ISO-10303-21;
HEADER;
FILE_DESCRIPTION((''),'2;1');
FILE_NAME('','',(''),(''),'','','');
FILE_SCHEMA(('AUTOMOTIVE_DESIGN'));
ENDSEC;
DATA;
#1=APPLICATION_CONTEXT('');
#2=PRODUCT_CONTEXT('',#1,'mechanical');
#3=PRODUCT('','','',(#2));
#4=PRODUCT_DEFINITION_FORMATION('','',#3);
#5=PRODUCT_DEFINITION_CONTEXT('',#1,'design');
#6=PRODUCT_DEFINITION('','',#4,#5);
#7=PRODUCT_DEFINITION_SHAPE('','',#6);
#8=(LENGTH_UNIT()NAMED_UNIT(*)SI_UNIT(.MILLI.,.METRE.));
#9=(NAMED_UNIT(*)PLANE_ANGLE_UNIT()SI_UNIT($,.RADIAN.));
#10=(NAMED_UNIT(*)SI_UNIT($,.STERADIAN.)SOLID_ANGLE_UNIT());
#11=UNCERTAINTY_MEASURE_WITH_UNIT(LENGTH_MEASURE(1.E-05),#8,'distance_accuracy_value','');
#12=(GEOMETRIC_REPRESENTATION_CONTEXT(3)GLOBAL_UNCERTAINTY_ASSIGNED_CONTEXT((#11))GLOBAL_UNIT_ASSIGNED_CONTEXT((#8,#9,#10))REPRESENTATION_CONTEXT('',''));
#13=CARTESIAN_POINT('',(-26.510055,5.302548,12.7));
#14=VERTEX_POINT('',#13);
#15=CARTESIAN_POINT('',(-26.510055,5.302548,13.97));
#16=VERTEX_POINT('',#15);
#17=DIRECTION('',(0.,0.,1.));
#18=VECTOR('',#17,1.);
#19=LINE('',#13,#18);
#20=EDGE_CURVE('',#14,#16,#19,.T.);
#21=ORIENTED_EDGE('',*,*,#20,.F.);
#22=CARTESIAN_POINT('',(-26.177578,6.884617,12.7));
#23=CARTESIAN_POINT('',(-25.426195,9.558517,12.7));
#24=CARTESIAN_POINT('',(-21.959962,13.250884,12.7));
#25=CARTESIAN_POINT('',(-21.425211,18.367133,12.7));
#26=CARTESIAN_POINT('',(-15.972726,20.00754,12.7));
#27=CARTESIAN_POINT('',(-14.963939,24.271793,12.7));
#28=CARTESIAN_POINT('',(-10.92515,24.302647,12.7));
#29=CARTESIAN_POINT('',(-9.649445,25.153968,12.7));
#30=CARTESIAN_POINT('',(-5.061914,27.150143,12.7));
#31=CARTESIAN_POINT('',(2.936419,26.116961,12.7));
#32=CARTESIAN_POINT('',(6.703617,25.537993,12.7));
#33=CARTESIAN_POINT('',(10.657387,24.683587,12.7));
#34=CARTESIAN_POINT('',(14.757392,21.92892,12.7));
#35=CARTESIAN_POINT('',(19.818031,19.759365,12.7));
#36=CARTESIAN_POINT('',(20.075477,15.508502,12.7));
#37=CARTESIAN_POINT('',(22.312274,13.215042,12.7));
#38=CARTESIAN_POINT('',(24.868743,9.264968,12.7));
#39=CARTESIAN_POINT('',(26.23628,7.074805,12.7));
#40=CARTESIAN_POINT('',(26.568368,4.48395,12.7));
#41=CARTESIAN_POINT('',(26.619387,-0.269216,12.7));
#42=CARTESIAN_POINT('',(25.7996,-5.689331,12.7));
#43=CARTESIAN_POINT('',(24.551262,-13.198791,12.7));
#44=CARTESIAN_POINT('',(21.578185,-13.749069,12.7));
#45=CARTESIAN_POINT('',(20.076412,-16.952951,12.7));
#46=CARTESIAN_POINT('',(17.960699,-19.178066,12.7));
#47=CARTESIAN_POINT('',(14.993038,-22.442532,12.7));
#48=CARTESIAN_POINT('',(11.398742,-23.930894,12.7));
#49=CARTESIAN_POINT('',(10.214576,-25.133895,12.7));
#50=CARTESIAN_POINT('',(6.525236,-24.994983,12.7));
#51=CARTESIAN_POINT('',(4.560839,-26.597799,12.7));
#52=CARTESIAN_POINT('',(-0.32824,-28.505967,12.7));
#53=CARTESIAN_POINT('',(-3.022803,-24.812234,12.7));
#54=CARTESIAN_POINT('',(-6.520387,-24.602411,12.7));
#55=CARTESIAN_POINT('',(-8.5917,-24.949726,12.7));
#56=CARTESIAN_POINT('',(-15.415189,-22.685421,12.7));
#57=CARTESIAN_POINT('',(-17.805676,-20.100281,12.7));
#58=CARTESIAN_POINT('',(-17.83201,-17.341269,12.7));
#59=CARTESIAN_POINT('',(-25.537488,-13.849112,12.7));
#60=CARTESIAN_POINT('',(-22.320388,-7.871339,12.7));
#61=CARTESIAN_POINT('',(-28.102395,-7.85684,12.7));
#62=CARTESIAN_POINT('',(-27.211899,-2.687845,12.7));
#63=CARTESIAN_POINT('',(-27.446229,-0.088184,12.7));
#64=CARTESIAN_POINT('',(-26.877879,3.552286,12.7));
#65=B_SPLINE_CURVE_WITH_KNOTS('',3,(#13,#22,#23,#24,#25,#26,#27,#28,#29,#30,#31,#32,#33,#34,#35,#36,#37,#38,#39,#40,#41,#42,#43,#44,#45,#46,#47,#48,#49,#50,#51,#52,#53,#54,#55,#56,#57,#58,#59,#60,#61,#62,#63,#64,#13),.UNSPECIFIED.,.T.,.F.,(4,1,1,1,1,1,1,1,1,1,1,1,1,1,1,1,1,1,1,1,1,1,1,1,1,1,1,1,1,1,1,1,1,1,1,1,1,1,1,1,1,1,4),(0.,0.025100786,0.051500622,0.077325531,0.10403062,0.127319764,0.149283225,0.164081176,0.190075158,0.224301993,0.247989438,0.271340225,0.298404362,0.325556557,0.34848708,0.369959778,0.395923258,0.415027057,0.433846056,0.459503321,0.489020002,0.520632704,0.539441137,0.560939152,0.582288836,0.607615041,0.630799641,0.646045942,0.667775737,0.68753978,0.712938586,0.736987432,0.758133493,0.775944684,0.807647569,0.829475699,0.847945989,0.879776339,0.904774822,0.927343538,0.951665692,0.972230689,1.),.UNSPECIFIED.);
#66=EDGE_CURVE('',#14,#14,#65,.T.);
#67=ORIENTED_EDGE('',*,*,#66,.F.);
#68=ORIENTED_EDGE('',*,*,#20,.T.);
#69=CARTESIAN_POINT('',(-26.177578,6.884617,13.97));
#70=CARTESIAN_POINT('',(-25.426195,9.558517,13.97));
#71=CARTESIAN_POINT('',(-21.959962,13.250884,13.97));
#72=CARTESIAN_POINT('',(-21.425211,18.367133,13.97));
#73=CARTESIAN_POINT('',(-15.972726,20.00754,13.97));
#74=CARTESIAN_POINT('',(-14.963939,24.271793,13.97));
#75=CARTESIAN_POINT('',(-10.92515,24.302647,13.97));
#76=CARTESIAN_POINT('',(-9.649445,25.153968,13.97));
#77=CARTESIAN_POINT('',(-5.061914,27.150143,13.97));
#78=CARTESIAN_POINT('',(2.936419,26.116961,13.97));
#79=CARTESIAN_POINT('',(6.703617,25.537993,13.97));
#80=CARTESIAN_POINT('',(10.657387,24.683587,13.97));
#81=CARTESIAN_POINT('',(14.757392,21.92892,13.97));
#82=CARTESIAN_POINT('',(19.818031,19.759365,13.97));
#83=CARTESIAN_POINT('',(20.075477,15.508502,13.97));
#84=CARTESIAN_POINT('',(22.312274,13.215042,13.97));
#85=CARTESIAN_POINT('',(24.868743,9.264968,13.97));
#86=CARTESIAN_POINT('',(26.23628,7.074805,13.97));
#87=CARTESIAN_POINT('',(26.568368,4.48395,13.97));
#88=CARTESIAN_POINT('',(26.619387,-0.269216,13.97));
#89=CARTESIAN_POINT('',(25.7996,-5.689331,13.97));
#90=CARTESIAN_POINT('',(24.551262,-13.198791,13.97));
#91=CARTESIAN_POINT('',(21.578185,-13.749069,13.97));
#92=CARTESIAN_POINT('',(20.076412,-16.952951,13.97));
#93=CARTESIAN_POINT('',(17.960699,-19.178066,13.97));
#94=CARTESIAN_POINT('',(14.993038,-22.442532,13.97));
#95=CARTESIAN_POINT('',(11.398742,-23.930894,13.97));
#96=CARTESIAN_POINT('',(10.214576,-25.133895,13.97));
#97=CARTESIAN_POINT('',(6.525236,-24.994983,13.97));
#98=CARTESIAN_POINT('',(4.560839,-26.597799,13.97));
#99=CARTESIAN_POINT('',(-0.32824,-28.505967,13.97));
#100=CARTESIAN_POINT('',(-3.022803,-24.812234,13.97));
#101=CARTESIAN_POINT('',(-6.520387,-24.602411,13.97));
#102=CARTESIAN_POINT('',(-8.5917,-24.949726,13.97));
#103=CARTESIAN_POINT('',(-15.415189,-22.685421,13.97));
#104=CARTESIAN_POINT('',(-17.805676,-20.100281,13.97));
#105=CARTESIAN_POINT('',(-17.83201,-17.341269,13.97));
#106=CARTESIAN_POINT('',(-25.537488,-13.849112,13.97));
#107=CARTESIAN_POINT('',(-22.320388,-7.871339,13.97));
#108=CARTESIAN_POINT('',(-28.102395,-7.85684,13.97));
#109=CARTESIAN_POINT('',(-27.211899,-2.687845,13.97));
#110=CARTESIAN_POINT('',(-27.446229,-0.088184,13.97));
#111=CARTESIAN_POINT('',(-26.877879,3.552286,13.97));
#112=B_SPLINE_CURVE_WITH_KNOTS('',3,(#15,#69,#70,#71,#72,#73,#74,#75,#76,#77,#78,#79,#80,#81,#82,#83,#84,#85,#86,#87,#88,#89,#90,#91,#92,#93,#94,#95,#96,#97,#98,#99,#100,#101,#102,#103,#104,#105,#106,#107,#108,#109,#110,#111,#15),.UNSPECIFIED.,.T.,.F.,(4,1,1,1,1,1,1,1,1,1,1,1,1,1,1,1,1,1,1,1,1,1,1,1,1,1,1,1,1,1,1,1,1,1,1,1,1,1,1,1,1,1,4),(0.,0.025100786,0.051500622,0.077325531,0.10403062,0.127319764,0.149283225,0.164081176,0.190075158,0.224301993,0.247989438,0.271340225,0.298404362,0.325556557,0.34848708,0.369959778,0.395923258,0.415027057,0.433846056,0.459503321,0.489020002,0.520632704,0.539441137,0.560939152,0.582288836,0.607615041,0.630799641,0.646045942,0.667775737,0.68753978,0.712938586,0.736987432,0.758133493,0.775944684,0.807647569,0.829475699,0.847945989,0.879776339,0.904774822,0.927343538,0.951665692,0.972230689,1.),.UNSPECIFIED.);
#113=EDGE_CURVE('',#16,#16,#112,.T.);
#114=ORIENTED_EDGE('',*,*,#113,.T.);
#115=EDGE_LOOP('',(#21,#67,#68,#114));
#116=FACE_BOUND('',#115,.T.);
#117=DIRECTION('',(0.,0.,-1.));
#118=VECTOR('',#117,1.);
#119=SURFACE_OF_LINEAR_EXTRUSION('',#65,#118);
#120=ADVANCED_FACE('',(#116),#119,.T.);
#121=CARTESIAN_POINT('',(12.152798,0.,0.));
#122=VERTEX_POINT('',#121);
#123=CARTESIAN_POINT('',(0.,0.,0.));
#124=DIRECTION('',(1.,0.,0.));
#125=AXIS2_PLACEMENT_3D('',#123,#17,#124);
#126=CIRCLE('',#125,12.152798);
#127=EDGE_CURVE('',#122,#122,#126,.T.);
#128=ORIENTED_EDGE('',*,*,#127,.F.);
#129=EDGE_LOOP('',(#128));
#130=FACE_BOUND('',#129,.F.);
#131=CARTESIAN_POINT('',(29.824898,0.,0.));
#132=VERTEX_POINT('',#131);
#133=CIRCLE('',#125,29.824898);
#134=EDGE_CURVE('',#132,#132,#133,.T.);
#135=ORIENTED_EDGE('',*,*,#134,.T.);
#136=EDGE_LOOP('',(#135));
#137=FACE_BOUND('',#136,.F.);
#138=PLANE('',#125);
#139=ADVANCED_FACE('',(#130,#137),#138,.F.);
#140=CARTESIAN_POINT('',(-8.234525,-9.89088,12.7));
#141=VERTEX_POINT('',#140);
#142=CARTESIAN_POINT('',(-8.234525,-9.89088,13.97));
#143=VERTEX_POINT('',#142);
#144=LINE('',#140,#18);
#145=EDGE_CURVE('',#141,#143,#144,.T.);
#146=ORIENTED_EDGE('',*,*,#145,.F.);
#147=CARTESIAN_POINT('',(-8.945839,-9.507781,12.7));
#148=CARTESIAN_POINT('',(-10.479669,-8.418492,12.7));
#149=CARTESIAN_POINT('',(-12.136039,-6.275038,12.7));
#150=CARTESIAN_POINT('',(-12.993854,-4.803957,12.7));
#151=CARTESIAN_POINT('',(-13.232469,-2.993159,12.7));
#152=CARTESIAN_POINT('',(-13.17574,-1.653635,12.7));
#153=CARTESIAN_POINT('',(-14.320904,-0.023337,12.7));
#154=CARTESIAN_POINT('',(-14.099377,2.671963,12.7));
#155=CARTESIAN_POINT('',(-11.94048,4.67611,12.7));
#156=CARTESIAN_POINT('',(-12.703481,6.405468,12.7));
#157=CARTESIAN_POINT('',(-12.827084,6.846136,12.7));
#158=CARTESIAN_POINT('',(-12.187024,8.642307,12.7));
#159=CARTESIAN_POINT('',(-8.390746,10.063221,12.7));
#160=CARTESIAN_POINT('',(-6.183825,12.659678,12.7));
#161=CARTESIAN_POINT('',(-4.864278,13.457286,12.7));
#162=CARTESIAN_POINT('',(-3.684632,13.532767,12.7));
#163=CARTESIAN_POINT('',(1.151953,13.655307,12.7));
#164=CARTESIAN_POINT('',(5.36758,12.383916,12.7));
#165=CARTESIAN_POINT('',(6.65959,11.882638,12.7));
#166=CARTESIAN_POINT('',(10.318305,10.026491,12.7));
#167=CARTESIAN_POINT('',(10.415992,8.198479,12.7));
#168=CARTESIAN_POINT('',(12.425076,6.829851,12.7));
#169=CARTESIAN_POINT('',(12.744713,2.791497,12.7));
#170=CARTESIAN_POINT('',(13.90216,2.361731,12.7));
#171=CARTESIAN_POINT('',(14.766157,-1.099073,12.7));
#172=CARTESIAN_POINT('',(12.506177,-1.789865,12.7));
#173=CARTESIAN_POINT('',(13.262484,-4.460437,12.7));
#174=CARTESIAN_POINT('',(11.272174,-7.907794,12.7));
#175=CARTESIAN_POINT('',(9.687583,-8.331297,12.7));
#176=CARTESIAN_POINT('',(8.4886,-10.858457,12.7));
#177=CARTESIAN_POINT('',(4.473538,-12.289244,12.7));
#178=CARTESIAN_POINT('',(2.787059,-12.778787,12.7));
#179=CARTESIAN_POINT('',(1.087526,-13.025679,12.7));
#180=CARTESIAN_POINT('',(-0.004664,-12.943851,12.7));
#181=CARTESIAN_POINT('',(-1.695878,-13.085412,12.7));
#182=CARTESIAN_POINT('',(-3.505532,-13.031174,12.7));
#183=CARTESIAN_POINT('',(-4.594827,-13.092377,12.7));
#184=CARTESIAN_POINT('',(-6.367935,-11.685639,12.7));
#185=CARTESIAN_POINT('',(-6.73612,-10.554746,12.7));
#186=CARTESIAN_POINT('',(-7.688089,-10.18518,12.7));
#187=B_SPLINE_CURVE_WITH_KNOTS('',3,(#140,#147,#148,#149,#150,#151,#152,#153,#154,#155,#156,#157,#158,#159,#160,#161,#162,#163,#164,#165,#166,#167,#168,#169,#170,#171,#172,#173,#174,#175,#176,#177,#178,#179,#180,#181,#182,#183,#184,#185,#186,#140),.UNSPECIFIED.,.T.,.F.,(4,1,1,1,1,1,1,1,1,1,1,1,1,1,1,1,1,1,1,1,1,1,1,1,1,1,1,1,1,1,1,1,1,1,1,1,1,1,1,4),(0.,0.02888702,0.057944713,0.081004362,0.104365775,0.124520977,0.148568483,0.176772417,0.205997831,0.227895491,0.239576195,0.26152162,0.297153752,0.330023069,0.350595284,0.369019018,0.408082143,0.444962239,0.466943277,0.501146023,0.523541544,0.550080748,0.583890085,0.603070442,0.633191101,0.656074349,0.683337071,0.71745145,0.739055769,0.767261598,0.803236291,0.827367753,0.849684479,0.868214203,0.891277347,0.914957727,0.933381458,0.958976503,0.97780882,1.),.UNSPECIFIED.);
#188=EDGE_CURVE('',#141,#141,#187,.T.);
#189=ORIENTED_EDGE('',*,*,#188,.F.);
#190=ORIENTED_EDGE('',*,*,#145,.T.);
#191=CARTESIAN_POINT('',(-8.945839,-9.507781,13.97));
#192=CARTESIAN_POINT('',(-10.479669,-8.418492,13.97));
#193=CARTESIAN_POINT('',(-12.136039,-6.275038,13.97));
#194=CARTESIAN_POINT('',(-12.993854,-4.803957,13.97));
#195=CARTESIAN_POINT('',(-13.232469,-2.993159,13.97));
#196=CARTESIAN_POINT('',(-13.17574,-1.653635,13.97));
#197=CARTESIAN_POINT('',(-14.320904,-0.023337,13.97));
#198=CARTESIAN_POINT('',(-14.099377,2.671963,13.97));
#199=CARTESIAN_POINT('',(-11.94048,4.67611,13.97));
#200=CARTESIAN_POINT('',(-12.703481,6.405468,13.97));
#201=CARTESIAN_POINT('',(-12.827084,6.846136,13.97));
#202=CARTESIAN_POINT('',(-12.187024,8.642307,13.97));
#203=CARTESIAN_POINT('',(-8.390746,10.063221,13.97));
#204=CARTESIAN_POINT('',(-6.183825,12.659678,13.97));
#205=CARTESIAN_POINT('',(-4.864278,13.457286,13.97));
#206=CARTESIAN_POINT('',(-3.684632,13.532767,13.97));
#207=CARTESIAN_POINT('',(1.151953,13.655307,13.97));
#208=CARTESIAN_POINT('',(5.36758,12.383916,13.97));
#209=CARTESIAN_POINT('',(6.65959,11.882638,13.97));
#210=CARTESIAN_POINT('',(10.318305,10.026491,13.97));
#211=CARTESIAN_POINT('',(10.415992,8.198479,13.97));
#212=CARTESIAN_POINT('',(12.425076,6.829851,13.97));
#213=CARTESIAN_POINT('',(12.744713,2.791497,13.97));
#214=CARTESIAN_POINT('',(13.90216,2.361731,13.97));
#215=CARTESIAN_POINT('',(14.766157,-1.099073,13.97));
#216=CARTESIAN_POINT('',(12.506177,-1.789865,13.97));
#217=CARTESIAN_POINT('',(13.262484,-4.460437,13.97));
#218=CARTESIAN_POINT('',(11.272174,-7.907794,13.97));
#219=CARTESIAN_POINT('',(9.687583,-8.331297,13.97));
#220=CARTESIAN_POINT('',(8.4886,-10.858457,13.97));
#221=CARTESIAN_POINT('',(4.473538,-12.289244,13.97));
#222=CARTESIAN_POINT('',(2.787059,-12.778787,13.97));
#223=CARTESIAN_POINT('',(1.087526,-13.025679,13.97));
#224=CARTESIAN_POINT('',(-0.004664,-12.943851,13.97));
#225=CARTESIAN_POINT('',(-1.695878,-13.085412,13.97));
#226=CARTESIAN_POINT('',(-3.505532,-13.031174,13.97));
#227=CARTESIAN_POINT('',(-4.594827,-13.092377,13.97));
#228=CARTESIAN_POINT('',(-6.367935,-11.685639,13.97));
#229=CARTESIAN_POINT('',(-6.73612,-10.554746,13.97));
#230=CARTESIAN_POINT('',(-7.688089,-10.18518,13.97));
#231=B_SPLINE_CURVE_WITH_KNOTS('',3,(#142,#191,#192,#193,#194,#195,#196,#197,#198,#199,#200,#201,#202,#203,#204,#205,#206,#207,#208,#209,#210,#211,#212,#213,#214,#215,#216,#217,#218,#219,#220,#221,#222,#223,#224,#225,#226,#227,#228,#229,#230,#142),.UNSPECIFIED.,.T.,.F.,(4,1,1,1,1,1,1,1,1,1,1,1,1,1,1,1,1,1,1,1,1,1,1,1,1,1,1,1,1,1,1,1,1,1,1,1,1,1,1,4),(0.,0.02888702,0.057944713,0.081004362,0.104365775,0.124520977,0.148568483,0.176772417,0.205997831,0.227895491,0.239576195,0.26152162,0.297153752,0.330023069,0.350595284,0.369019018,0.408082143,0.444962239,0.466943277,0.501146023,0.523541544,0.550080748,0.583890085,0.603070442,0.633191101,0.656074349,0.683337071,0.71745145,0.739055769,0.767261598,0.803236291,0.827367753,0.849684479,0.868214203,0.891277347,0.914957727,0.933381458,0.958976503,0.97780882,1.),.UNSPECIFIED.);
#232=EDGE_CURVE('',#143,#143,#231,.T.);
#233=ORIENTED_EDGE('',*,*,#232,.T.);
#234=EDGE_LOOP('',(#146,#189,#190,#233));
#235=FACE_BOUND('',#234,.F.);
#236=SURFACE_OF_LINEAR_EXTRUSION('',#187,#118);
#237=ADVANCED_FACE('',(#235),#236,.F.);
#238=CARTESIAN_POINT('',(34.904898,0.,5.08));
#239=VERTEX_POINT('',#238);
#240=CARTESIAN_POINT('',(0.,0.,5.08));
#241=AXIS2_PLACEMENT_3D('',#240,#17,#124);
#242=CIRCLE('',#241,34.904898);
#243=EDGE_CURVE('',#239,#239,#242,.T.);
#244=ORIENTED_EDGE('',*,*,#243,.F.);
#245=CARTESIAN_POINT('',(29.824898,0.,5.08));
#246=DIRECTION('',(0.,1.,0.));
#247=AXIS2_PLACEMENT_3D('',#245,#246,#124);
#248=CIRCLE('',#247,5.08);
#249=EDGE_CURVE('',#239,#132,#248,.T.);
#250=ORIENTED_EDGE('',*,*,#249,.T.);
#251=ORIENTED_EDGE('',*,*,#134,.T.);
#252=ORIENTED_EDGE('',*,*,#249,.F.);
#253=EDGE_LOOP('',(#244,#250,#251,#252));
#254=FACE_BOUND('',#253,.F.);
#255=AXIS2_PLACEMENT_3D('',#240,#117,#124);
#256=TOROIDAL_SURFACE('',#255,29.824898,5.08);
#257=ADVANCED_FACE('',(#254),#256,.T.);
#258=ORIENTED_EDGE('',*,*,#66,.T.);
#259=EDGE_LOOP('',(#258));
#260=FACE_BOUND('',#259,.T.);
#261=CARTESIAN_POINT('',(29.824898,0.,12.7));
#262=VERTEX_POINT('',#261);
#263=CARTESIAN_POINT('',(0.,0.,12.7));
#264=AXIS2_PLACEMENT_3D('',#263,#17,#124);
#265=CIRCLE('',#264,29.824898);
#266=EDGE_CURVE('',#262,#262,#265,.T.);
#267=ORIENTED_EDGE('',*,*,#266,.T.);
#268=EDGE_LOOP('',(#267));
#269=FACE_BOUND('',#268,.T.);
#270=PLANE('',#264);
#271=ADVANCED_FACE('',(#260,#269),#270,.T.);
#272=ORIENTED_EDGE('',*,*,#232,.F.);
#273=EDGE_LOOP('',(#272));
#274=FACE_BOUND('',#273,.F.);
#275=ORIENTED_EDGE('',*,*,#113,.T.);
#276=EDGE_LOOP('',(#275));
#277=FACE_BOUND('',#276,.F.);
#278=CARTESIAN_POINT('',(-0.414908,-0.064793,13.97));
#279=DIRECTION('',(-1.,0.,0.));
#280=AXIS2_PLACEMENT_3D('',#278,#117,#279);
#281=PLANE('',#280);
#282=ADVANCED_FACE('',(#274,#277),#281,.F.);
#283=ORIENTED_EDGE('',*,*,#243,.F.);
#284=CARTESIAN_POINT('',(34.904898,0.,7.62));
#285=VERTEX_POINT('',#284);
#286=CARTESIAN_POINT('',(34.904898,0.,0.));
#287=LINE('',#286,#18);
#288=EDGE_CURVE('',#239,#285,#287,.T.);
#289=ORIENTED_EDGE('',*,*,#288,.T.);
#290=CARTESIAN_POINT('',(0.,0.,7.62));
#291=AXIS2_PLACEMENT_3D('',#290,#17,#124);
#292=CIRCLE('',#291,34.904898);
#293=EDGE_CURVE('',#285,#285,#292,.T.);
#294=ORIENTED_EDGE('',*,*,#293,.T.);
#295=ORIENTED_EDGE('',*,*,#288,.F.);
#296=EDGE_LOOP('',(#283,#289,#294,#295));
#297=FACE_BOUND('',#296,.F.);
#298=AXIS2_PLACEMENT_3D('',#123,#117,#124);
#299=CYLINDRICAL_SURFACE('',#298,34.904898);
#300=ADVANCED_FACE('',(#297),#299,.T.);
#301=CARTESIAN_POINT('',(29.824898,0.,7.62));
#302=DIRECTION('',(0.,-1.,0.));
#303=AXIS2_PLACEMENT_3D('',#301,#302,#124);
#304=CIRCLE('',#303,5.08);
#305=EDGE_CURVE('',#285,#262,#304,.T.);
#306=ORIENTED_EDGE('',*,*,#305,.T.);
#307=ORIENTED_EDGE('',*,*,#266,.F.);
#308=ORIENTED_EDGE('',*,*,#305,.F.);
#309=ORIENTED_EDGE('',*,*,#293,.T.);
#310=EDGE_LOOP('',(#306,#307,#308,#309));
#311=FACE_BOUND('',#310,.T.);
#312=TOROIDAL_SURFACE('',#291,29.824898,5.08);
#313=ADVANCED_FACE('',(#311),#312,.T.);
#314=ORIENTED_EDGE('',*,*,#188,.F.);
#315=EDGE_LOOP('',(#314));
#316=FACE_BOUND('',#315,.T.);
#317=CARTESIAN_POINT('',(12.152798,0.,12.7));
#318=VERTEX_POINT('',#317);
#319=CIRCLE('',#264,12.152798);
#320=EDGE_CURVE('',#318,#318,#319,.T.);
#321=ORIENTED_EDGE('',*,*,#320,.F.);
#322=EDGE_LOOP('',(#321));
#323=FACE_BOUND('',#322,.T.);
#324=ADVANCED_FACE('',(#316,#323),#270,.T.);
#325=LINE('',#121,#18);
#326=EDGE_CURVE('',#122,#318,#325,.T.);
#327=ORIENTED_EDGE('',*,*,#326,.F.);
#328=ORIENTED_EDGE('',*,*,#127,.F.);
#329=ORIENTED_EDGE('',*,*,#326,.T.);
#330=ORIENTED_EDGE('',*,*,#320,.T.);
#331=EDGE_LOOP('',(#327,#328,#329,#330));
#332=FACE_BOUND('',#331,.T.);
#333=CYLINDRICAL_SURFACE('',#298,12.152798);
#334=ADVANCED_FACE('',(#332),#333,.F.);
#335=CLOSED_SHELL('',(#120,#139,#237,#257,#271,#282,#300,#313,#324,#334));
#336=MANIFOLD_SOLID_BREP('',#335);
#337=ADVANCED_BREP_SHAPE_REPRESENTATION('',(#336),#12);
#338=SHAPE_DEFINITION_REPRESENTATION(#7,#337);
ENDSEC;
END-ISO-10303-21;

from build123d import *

# Parameters (mm, degrees)
F0_R     = 34.9048984543
F0_R_2   = 12.1527980699
F1_DEPTH = 12.7
F2_R     = 5.08
F4_DEPTH = 1.27


with BuildPart() as f1:
    # F0 (on Top) → F1 (new body)
    with BuildSketch(Plane.XY):
        Circle(F0_R)
        Circle(F0_R_2, mode=Mode.SUBTRACT)
    extrude(amount=F1_DEPTH)

    # F2
    f2_edges = [f1.edges().sort_by_distance(p)[0] for p in [
        (-34.904898, 0, 12.7),
        (-34.904898, 0, 0),
    ]]
    fillet(f2_edges, radius=F2_R)

    # F3 (on face) → F4 (join)
    with BuildSketch(Plane.XY.offset(12.7)):
        with BuildLine():
            add(Edge.make_bspline(
                [(-26.5100551654, 5.3025482653), (-26.1775777626, 6.8846169353), (-25.426195352, 9.5585165622), (-21.9599620725, 13.2508842839), (-21.4252105627, 18.3671331529), (-15.9727257648, 20.0075396378), (-14.9639394482, 24.2717931622), (-10.9251498531, 24.302647067), (-9.6494450341, 25.1539680098), (-5.0619142731, 27.1501426479), (2.9364188774, 26.116961143), (6.7036171526, 25.5379932802), (10.6573871921, 24.6835871523), (14.7573917291, 21.9289202724), (19.8180312275, 19.7593649997), (20.0754768641, 15.508502344), (22.3122742945, 13.2150420094), (24.8687428198, 9.2649676537), (26.236280157, 7.0748050493), (26.5683677316, 4.4839498923), (26.6193868693, -0.2692160734), (25.7996004959, -5.6893312188), (24.5512615162, -13.1987913778), (21.578184924, -13.7490691282), (20.0764117368, -16.9529506973), (17.9606986403, -19.178065747), (14.9930384746, -22.4425316877), (11.3987416677, -23.930893903), (10.2145760957, -25.1338947759), (6.5252356299, -24.9949833096), (4.5608388803, -26.5977986597), (-0.3282395602, -28.505967202), (-3.0228034633, -24.8122338538), (-6.5203870216, -24.6024105997), (-8.5916996145, -24.949725655), (-15.4151885755, -22.6854209451), (-17.8056764162, -20.1002806496), (-17.8320100644, -17.3412685699), (-25.5374880979, -13.8491124827), (-22.3203884827, -7.8713385294), (-28.1023951514, -7.8568396436), (-27.2118988499, -2.6878447966), (-27.4462290339, -0.0881844475), (-26.8778790381, 3.5522860815), (-26.5100551654, 5.3025482653)],
                knots=[0, 0, 0, 0, 0.025100786, 0.0515006218, 0.0773255314, 0.1040306197, 0.1273197637, 0.1492832246, 0.164081176, 0.1900751577, 0.2243019929, 0.2479894376, 0.2713402254, 0.2984043621, 0.3255565574, 0.3484870803, 0.3699597782, 0.3959232575, 0.4150270568, 0.4338460561, 0.4595033209, 0.4890200017, 0.5206327041, 0.5394411367, 0.5609391522, 0.5822888361, 0.6076150408, 0.6307996414, 0.6460459422, 0.6677757373, 0.6875397802, 0.7129385858, 0.7369874319, 0.7581334928, 0.7759446845, 0.8076475688, 0.8294756985, 0.8479459894, 0.8797763389, 0.9047748222, 0.9273435385, 0.9516656917, 0.9722306893, 1, 1, 1, 1], degree=3))
        make_face()
        with BuildLine():
            add(Edge.make_bspline(
                [(-8.2345250994, -9.8908804357), (-8.9458392351, -9.5077807042), (-10.4796691233, -8.4184923399), (-12.1360387292, -6.2750376945), (-12.9938535956, -4.8039571077), (-13.2324693915, -2.9931588743), (-13.1757401303, -1.6536349206), (-14.3209037, -0.023337251), (-14.0993769033, 2.6719629583), (-11.9404804521, 4.6761098619), (-12.703481489, 6.405467504), (-12.8270839215, 6.8461358452), (-12.1870236759, 8.6423072838), (-8.3907459178, 10.0632211102), (-6.1838251076, 12.6596780289), (-4.8642778852, 13.4572863575), (-3.6846315329, 13.5327673731), (1.1519526403, 13.6553067722), (5.36757979, 12.383916271), (6.6595896273, 11.8826377743), (10.3183048343, 10.0264907592), (10.4159916441, 8.1984792068), (12.4250757614, 6.8298506824), (12.7447125275, 2.7914965118), (13.9021599523, 2.3617307527), (14.766156634, -1.0990731298), (12.5061772416, -1.7898654847), (13.2624840148, -4.4604368238), (11.2721736916, -7.9077944769), (9.6875825909, -8.3312970087), (8.4885998665, -10.8584573841), (4.4735377468, -12.2892439529), (2.7870594142, -12.7787865045), (1.0875259556, -13.0256788093), (-0.004663569, -12.9438511878), (-1.6958781493, -13.0854122441), (-3.5055324331, -13.0311735162), (-4.594827104, -13.0923767332), (-6.3679345671, -11.6856389284), (-6.7361202326, -10.554745759), (-7.6880893504, -10.1851799276), (-8.2345250994, -9.8908804357)],
                knots=[0, 0, 0, 0, 0.0288870196, 0.057944713, 0.0810043624, 0.1043657751, 0.1245209765, 0.1485684828, 0.1767724173, 0.2059978311, 0.2278954912, 0.2395761953, 0.2615216197, 0.2971537523, 0.3300230686, 0.3505952844, 0.3690190178, 0.4080821431, 0.4449622392, 0.4669432769, 0.5011460234, 0.5235415436, 0.550080748, 0.5838900853, 0.6030704416, 0.6331911008, 0.6560743488, 0.6833370713, 0.7174514504, 0.739055769, 0.7672615976, 0.8032362912, 0.8273677527, 0.8496844786, 0.8682142027, 0.8912773472, 0.9149577274, 0.9333814579, 0.958976503, 0.9778088198, 1, 1, 1, 1], degree=3))
        make_face(mode=Mode.SUBTRACT)
    extrude(amount=F4_DEPTH)


solid = f1.part
